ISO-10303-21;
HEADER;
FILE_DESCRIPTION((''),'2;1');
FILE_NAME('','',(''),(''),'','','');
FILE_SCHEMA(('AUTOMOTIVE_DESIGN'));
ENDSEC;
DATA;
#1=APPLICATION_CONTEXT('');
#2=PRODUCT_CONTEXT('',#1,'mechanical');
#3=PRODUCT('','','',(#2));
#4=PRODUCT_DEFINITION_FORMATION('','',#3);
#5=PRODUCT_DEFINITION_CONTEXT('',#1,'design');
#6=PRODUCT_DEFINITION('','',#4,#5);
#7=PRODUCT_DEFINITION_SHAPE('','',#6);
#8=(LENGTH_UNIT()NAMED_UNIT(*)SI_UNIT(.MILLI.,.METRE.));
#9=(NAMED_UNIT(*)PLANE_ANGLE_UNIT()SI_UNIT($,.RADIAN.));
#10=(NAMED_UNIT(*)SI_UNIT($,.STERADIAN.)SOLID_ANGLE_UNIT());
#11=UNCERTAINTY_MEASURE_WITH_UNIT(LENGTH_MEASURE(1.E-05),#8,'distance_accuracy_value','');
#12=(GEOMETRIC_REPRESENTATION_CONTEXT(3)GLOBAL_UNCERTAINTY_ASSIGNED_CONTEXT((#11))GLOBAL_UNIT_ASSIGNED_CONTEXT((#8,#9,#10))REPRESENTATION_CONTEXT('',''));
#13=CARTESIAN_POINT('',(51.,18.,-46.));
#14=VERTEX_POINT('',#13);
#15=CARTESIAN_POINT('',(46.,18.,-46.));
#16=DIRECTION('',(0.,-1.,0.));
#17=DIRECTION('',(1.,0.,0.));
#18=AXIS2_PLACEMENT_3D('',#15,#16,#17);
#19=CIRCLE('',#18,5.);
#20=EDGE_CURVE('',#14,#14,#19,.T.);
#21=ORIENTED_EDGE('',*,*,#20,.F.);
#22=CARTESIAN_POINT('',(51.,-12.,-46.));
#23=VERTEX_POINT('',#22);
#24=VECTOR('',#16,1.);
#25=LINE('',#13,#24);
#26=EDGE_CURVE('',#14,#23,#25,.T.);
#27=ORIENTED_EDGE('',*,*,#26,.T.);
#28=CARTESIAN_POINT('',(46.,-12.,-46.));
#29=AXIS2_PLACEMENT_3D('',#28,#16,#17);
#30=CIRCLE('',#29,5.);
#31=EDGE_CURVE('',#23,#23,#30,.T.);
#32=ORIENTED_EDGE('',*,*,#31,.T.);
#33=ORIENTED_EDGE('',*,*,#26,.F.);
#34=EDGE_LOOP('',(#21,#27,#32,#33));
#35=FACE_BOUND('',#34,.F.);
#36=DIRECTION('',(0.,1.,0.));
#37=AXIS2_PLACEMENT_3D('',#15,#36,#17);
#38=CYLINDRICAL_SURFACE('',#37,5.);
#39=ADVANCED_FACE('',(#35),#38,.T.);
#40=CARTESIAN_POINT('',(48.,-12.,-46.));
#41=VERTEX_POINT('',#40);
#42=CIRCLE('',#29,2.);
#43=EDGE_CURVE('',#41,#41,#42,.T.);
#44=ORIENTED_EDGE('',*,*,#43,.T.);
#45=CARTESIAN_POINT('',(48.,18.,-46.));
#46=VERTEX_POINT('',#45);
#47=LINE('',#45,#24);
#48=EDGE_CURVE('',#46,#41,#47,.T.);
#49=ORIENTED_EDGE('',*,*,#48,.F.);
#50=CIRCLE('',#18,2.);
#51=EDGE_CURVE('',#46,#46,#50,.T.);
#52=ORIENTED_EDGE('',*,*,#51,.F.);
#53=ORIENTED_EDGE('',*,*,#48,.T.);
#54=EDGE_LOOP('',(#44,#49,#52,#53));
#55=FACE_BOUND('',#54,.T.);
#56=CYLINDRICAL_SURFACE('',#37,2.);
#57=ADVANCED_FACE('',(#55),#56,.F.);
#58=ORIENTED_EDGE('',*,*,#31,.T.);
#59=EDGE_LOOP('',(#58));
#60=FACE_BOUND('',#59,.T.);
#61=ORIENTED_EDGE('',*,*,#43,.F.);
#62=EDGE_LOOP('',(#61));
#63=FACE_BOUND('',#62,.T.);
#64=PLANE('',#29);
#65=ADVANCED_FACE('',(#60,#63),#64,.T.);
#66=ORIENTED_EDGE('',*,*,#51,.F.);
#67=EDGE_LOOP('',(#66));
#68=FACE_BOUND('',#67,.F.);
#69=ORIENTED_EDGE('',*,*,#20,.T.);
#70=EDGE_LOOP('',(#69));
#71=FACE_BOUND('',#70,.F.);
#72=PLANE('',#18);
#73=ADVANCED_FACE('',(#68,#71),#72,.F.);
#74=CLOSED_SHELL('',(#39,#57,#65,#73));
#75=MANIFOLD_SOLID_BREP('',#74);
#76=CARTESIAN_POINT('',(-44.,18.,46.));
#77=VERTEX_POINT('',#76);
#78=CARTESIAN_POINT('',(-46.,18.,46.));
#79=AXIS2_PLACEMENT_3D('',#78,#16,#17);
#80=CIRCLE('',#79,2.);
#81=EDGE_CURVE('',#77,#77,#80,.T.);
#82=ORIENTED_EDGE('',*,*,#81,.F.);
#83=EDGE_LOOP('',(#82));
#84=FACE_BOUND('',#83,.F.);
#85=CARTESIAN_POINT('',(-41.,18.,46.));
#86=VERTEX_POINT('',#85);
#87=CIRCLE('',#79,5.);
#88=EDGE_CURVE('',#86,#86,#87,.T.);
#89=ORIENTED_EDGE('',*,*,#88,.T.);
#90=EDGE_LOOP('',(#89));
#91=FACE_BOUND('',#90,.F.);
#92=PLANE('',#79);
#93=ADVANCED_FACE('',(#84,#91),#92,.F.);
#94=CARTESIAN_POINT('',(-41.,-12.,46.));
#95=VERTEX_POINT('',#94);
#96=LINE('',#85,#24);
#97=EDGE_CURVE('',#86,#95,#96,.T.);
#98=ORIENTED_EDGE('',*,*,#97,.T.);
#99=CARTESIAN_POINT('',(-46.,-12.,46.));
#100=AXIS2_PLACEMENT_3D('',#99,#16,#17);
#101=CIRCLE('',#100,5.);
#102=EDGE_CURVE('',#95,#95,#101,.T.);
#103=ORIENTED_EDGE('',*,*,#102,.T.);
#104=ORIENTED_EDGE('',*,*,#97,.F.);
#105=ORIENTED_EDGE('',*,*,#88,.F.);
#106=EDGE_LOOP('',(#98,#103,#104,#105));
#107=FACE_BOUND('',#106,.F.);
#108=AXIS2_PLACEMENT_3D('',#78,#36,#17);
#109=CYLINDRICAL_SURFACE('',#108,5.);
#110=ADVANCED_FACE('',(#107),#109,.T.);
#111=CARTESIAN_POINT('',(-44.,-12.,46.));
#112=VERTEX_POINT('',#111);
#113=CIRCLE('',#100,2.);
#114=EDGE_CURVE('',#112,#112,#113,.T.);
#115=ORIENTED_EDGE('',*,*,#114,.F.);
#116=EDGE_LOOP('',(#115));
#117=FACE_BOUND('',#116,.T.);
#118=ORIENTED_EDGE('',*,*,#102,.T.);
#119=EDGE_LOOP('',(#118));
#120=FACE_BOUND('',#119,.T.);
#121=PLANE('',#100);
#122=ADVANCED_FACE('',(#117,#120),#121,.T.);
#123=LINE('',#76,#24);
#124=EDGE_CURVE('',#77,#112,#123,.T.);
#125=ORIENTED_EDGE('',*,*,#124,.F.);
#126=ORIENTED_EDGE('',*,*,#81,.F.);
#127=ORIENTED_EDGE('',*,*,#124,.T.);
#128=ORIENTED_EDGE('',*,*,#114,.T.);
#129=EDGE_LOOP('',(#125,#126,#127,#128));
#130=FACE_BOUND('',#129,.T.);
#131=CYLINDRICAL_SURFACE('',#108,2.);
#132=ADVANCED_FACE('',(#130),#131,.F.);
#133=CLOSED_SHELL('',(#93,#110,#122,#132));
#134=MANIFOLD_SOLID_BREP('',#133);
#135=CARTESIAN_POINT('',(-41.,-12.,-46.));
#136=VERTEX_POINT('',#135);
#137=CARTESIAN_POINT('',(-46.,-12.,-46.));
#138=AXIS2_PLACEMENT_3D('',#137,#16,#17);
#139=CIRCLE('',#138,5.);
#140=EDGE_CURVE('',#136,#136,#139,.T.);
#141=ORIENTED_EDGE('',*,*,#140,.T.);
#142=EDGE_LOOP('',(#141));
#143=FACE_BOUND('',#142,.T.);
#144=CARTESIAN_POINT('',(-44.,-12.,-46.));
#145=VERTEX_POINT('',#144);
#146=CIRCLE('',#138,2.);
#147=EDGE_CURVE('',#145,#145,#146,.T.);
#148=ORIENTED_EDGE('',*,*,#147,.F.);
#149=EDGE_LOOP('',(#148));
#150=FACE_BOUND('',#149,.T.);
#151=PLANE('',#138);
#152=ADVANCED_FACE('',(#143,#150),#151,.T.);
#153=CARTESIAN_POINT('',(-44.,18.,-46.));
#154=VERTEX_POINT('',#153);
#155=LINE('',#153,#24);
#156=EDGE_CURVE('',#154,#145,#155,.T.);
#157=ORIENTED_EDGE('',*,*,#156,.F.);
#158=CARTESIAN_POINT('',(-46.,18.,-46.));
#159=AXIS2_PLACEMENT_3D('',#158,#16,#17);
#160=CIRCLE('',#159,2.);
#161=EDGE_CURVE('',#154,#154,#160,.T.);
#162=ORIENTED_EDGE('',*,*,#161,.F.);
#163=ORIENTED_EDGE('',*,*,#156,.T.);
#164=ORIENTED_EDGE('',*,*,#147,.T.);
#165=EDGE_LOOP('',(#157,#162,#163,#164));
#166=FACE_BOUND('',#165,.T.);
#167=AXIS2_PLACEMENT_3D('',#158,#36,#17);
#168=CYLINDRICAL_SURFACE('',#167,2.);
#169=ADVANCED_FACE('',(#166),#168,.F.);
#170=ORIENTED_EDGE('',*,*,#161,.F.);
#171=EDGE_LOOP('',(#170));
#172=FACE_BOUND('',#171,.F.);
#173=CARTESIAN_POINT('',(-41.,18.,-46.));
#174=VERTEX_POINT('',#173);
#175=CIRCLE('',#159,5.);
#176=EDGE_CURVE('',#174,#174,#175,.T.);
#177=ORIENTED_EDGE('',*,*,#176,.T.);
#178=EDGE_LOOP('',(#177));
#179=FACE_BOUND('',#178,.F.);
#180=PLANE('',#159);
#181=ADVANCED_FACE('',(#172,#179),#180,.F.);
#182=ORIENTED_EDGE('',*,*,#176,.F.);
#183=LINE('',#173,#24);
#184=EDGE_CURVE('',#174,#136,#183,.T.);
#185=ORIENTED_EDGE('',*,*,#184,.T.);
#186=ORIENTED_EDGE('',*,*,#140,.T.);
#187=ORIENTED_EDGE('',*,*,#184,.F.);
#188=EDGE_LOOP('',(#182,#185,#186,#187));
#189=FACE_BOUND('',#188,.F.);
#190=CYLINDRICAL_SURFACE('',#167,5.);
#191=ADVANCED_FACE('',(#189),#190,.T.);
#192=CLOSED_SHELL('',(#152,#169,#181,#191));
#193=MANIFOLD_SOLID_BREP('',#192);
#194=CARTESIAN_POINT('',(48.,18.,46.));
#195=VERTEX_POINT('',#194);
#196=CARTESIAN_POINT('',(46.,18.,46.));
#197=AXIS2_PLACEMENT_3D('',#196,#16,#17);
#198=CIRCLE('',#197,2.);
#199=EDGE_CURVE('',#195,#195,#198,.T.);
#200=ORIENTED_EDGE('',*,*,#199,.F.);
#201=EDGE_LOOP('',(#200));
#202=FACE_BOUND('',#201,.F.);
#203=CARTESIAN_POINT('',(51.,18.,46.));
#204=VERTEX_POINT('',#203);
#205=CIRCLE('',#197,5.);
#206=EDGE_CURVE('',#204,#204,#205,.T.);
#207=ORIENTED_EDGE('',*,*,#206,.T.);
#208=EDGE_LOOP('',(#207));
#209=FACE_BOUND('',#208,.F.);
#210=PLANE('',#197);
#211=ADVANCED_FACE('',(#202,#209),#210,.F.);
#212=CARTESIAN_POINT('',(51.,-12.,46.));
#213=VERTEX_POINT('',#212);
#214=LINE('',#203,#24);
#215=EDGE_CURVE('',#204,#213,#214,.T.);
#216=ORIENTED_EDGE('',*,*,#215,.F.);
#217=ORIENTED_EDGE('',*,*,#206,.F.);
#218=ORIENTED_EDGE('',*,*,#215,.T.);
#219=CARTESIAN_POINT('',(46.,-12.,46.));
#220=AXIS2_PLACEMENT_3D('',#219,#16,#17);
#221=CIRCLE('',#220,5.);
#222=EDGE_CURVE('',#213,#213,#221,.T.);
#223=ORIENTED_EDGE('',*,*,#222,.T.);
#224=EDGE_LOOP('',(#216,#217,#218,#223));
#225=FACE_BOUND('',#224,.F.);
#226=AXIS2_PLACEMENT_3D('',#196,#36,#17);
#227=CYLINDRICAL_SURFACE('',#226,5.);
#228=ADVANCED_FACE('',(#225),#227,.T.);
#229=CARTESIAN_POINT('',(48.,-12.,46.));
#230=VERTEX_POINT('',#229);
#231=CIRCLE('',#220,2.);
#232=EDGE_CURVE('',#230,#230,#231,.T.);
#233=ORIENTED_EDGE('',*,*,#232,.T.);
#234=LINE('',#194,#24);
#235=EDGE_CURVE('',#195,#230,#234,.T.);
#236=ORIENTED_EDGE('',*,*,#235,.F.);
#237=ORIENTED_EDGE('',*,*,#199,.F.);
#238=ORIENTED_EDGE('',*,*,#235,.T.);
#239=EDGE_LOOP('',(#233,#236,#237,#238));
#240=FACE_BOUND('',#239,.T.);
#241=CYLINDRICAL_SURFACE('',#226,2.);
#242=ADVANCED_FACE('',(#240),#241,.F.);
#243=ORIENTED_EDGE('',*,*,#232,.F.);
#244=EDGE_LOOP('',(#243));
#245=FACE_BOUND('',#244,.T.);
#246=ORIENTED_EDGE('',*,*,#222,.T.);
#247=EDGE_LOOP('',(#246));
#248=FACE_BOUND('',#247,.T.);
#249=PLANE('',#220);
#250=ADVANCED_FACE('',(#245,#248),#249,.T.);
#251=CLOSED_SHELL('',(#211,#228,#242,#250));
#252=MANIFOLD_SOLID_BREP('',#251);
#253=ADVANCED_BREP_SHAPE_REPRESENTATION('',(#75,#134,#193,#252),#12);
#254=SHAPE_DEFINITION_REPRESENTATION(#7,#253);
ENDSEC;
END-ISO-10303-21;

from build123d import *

# Parameters (mm, degrees)
TUBE001_R     = 5
TUBE001_R_2   = 2
TUBE001_DEPTH = 30
TUBE002_R     = 5
TUBE002_R_2   = 2
TUBE002_DEPTH = 30
TUBE003_R     = 5
TUBE003_R_2   = 2
TUBE003_DEPTH = 30
TUBE_R        = 5
TUBE_R_2      = 2
TUBE_DEPTH    = 30


with BuildPart() as tube001:
    # Tube001 → Tube001 (new body)
    with BuildSketch(Plane(origin=(-46, 18, 46), x_dir=(1, 0, 0), z_dir=(0, -1, 0))):
        Circle(TUBE001_R)
        Circle(TUBE001_R_2, mode=Mode.SUBTRACT)
    extrude(amount=TUBE001_DEPTH)


with BuildPart() as tube002:
    # Tube002 → Tube002 (new body)
    with BuildSketch(Plane(origin=(-46, 18, -46), x_dir=(1, 0, 0), z_dir=(0, -1, 0))):
        Circle(TUBE002_R)
        Circle(TUBE002_R_2, mode=Mode.SUBTRACT)
    extrude(amount=TUBE002_DEPTH)


with BuildPart() as tube003:
    # Tube003 → Tube003 (new body)
    with BuildSketch(Plane(origin=(46, 18, -46), x_dir=(1, 0, 0), z_dir=(0, -1, 0))):
        Circle(TUBE003_R)
        Circle(TUBE003_R_2, mode=Mode.SUBTRACT)
    extrude(amount=TUBE003_DEPTH)


with BuildPart() as m3_screws:
    # Tube → Tube (new body)
    with BuildSketch(Plane(origin=(46, 18, 46), x_dir=(1, 0, 0), z_dir=(0, -1, 0))):
        Circle(TUBE_R)
        Circle(TUBE_R_2, mode=Mode.SUBTRACT)
    extrude(amount=TUBE_DEPTH)

    # Fusion001: union Tube001, Tube002, Tube003
    add(tube001.part)
    add(tube002.part)
    add(tube003.part)


solid = m3_screws.part
